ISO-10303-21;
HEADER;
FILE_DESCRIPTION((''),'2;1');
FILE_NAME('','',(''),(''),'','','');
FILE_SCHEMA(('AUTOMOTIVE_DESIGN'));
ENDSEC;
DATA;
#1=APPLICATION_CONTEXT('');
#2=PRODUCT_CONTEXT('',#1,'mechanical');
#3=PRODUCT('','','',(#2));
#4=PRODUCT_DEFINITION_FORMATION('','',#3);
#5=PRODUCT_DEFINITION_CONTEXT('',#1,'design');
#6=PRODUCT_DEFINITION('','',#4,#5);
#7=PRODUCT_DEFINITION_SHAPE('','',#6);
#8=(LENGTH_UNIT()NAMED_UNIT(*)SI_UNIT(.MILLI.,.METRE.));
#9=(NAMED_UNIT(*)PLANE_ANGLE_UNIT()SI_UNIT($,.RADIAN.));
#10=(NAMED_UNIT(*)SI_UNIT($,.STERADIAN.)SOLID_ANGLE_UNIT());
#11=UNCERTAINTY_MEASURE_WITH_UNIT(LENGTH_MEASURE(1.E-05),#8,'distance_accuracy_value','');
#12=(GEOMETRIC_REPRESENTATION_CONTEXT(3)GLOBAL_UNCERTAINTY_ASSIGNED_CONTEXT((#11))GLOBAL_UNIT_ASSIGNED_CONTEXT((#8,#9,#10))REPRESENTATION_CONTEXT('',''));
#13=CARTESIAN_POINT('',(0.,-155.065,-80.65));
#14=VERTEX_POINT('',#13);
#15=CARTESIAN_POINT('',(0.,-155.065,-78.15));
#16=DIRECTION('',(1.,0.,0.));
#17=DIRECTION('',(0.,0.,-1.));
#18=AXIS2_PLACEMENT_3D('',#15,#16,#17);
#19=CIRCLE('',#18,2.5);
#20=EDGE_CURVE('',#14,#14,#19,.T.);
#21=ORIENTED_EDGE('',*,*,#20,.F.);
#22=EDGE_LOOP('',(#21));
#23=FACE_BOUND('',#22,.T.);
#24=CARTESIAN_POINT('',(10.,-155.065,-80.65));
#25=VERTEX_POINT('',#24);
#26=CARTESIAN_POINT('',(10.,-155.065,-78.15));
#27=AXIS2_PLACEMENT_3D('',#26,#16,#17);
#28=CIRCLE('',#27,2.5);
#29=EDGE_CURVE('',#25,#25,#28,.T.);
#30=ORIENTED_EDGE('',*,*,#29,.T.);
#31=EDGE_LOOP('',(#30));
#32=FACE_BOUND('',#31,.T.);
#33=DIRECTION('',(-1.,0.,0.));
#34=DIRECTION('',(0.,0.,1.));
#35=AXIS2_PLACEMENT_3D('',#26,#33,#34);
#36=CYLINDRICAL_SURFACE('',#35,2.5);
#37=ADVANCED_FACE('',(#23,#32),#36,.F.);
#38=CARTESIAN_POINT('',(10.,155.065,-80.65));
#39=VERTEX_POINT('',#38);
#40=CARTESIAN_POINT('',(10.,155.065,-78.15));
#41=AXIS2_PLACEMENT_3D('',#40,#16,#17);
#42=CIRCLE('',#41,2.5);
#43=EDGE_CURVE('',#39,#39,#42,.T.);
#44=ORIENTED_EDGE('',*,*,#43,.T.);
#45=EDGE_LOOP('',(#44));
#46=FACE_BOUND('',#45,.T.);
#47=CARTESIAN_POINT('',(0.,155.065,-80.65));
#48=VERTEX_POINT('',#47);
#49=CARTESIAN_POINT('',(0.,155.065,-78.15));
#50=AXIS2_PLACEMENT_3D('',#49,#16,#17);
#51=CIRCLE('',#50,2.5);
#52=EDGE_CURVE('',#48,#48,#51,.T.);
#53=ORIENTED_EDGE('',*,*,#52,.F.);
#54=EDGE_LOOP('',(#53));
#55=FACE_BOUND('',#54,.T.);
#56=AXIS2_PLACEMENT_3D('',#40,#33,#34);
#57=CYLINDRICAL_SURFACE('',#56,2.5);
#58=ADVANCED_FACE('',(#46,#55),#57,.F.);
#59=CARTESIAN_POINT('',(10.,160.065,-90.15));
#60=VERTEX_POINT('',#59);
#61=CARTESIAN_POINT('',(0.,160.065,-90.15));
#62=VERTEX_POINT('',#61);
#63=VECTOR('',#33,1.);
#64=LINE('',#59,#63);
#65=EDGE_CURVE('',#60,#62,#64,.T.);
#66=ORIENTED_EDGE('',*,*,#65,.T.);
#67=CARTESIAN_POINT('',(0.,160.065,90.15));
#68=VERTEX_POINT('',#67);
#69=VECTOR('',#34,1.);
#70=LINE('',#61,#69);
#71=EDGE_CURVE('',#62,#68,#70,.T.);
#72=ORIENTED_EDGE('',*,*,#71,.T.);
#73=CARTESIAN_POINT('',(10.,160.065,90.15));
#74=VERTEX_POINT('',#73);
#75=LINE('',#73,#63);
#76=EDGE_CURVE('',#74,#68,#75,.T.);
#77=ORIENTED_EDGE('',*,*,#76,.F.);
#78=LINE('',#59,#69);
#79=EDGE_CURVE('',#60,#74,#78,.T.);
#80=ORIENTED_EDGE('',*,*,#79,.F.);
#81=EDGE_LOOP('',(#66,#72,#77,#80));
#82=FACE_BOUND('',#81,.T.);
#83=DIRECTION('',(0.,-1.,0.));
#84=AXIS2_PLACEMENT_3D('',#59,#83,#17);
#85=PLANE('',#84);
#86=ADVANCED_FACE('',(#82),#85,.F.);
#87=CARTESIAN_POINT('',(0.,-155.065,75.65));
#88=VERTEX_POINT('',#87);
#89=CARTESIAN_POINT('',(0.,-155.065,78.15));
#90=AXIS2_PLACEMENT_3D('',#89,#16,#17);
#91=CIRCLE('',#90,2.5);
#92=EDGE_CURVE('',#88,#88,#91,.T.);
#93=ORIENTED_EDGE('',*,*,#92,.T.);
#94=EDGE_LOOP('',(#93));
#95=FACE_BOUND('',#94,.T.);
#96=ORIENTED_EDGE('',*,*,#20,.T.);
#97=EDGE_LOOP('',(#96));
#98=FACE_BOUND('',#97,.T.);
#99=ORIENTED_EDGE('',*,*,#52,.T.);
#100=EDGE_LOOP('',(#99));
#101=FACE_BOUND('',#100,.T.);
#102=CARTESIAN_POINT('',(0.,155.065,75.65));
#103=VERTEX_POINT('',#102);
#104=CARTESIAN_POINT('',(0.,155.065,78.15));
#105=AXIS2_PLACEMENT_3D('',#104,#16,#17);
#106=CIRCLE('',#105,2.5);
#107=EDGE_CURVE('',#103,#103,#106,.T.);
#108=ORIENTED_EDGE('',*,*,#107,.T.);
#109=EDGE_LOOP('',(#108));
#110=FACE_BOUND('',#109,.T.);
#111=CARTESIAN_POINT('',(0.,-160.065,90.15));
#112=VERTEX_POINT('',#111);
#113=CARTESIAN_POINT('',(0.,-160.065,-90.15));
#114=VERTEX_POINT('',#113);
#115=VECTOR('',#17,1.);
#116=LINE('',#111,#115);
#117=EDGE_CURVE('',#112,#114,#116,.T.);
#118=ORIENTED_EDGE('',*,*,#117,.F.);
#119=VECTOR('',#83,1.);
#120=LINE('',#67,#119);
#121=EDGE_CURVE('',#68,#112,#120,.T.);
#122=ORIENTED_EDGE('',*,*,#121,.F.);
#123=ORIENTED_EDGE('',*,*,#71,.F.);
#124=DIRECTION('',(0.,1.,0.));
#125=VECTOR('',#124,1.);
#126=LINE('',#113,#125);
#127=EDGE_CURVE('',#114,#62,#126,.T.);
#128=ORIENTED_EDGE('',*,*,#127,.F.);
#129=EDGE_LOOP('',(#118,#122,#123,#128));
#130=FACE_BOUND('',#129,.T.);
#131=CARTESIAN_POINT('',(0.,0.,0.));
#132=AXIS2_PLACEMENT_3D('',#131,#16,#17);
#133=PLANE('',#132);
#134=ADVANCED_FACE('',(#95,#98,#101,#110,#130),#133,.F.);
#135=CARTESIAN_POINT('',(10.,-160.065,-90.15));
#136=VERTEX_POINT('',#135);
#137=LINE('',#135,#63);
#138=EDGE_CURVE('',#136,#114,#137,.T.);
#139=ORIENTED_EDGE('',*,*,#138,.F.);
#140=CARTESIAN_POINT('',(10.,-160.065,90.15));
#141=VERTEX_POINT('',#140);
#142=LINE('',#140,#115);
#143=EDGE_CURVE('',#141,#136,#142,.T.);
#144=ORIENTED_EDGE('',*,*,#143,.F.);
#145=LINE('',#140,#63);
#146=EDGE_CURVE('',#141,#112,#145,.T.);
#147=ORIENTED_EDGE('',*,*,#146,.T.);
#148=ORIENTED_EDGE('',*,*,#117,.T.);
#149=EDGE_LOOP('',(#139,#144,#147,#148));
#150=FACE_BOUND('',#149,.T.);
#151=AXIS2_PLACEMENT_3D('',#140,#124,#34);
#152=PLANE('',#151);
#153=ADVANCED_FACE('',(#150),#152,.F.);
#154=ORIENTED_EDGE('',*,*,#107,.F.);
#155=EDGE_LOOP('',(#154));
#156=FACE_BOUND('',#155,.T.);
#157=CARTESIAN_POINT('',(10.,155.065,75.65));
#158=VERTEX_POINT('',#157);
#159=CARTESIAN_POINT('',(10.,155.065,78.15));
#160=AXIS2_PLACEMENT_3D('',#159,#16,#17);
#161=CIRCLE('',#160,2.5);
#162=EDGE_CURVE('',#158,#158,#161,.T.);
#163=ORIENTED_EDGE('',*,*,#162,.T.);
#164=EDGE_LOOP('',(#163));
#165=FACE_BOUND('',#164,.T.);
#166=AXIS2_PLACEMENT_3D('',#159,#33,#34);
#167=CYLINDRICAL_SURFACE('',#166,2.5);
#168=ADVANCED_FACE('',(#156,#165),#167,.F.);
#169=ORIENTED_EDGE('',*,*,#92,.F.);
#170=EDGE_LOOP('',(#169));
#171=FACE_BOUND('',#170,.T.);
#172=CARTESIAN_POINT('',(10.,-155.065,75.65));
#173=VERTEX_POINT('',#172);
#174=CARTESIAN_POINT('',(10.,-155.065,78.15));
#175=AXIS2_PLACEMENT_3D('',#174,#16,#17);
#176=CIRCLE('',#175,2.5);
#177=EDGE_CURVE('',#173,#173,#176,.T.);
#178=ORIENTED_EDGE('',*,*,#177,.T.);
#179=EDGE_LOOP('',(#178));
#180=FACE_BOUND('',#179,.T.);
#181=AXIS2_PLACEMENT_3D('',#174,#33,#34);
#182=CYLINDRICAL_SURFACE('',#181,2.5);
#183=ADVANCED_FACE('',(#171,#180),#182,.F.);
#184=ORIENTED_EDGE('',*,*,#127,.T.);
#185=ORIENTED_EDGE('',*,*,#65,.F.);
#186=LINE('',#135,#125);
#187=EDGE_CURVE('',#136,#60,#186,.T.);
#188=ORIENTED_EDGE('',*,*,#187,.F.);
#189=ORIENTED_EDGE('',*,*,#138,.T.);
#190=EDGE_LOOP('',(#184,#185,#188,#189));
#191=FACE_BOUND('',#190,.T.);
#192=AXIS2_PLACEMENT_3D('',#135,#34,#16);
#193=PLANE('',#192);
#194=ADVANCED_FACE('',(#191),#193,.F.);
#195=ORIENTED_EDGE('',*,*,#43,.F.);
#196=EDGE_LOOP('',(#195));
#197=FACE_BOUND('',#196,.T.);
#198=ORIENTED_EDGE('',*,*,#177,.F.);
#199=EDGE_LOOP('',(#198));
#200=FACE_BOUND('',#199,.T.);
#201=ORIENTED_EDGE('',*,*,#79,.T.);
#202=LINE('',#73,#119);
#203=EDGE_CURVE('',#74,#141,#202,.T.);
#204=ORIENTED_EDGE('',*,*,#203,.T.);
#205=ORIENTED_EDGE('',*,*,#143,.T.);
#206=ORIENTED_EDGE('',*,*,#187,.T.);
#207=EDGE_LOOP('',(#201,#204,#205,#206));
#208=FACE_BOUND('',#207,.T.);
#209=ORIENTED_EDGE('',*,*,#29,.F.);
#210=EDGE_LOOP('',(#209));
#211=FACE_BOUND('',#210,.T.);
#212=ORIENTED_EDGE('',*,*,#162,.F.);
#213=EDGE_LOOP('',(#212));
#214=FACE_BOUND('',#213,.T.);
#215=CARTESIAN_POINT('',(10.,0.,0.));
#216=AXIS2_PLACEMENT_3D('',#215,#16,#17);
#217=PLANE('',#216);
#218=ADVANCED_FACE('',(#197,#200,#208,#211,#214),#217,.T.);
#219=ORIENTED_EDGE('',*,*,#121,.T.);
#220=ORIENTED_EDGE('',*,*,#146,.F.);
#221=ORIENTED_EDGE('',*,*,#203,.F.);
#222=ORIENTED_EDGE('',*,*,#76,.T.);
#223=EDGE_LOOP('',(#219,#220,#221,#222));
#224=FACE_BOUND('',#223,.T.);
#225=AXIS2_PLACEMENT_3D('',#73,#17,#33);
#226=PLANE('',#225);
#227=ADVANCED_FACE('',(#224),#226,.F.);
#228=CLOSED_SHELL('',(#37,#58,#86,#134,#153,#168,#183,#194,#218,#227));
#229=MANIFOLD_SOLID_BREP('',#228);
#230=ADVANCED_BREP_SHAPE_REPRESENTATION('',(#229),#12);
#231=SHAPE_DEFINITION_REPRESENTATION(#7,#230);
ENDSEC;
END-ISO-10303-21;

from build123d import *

# Parameters (mm, degrees)
SKETCH1_W           = 180.3
SKETCH1_H           = 320.13
SKETCH1_R           = 2.5
BOSS_EXTRUDE1_DEPTH = 10


with BuildPart() as part:
    # Sketch1 → Boss-Extrude1 (new body)
    with BuildSketch(Plane(origin=(0, 0, 0), x_dir=(0, 0, -1), z_dir=(1, 0, 0))):
        Rectangle(SKETCH1_W, SKETCH1_H)
        with Locations((-78.15, 155.065)):
            Circle(SKETCH1_R, mode=Mode.SUBTRACT)
        with Locations((78.15, 155.065)):
            Circle(SKETCH1_R, mode=Mode.SUBTRACT)
        with Locations((-78.15, -155.065)):
            Circle(SKETCH1_R, mode=Mode.SUBTRACT)
        with Locations((78.15, -155.065)):
            Circle(SKETCH1_R, mode=Mode.SUBTRACT)
    extrude(amount=BOSS_EXTRUDE1_DEPTH)


solid = part.part
